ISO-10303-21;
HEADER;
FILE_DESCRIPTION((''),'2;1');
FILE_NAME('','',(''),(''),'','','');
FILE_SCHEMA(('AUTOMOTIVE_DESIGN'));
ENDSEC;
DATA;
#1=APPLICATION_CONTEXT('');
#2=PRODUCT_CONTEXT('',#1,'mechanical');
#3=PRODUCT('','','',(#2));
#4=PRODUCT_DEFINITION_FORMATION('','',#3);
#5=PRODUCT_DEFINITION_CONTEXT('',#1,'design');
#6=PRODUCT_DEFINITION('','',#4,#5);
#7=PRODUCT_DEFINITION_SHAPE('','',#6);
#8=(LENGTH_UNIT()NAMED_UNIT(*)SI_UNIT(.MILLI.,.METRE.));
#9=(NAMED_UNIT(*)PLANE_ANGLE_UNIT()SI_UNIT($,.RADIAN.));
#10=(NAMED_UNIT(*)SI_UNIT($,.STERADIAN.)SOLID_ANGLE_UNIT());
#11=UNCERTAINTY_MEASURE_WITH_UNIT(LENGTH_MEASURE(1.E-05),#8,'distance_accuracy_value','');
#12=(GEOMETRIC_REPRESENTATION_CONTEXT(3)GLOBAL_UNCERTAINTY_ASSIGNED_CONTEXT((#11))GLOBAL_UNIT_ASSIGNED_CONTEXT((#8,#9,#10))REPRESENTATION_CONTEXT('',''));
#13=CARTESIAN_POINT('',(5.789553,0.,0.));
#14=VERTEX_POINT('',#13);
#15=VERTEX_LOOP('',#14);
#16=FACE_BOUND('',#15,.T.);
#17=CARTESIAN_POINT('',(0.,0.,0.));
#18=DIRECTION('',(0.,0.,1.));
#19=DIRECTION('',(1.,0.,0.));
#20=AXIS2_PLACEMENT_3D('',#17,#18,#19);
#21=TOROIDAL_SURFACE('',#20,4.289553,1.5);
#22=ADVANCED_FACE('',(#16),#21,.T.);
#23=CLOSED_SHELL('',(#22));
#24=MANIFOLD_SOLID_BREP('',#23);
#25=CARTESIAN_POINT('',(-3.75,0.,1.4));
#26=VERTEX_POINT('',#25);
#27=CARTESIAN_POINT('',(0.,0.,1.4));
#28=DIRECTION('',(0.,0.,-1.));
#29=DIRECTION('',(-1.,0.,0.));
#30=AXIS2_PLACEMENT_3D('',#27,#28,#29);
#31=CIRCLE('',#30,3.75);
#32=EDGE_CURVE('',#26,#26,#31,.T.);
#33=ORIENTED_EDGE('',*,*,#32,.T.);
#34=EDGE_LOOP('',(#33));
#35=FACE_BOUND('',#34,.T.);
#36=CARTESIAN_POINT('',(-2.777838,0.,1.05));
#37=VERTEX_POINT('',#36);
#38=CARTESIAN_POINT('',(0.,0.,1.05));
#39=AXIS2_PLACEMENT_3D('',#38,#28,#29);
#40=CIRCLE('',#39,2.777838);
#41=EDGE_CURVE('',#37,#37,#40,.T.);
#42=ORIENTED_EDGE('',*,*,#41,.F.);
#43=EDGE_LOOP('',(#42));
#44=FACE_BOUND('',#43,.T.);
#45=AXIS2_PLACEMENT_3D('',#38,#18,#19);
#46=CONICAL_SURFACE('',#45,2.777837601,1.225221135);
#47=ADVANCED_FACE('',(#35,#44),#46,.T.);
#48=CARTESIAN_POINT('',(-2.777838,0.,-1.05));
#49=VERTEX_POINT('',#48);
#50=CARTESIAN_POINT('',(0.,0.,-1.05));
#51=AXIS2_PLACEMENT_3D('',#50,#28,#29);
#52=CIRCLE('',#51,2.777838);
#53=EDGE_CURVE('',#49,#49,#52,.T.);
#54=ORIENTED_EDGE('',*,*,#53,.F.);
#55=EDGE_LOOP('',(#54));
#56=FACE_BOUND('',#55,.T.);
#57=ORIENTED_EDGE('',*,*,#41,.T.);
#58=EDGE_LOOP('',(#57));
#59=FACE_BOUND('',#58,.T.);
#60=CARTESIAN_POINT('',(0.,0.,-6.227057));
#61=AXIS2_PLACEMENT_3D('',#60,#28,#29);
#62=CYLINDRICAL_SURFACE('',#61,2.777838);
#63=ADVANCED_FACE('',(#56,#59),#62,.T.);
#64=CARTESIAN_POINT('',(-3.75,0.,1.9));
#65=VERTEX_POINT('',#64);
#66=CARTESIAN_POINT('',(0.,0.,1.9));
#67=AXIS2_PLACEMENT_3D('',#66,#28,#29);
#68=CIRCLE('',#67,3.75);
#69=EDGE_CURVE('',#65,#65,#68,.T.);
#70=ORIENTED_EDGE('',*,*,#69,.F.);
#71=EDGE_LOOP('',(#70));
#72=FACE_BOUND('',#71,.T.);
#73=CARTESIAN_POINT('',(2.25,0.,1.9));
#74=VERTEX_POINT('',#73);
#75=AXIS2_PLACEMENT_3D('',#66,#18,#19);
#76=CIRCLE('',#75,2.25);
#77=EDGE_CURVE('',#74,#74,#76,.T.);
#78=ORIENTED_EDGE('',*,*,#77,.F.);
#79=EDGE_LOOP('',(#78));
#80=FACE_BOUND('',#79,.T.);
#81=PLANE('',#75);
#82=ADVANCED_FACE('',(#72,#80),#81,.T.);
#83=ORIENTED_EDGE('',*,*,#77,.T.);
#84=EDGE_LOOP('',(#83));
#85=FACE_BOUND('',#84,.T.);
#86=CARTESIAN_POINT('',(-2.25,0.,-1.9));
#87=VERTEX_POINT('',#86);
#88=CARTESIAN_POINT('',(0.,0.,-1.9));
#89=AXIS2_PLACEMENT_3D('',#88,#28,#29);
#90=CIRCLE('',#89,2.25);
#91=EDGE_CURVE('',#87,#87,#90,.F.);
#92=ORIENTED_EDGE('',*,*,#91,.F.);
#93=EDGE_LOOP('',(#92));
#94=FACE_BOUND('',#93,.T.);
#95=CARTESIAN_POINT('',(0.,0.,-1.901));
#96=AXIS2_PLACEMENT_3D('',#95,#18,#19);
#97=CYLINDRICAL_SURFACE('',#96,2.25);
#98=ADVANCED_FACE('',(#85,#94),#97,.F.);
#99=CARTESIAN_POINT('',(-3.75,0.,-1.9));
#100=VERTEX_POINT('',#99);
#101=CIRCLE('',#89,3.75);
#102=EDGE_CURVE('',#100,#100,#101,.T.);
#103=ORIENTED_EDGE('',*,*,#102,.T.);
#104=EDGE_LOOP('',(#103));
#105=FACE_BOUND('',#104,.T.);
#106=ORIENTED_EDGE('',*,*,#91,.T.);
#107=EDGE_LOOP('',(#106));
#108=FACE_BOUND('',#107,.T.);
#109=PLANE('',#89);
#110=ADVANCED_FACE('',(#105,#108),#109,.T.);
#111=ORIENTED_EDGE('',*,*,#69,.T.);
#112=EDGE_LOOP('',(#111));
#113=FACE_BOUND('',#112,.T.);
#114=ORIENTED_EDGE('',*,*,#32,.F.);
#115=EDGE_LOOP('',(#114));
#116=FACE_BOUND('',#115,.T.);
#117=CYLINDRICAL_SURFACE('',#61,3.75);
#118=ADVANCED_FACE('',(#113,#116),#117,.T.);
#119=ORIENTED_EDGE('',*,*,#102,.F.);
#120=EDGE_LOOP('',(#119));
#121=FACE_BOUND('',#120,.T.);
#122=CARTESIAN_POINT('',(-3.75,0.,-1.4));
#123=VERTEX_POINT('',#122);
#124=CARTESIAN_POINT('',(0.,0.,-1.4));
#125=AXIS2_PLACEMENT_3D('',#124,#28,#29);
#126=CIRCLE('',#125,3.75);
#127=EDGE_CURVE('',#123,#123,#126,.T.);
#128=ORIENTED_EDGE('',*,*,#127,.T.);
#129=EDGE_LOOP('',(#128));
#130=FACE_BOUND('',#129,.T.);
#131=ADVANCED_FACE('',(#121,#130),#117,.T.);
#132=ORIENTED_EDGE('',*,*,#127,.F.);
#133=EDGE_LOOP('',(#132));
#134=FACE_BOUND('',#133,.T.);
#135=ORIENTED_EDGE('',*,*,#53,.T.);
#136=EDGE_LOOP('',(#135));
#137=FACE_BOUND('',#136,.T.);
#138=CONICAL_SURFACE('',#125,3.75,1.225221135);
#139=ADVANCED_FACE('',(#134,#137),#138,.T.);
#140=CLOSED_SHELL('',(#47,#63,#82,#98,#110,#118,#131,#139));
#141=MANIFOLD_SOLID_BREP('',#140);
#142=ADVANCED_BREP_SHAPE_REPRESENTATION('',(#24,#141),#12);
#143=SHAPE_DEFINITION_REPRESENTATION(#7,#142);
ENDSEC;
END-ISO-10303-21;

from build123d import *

# Parameters (mm, degrees)
CROQUIS5_R            = 1.5
CROQUIS6_R            = 2.25
CORTAR_EXTRUIR3_DEPTH = 3.8


with BuildPart() as part:
    # Croquis1 → Revolución1 (revolve)
    with BuildSketch(Plane(origin=(0, 0, 0), x_dir=(0, 0, -1), z_dir=(1, 0, 0)), mode=Mode.PRIVATE) as revoluci_n1_sk:
        Polygon((-1.9, 0), (-1.9, 3.75), (-1.4, 3.75), (-1.05, 2.777837601), (1.05, 2.777837601), (1.4, 3.75), (1.9, 3.75), (1.9, 0), align=None)
    revolve(revoluci_n1_sk.sketch.rotate(Axis((0, 0, -6.227056579), (0, 0, 1)), 90), axis=Axis((0, 0, -6.227056579), (0, 0, 1)))

    # Croquis6 → Cortar-Extruir3 (cut)
    with BuildSketch(Plane.XY.offset(1.9)):
        Circle(CROQUIS6_R)
    extrude(amount=-CORTAR_EXTRUIR3_DEPTH, mode=Mode.SUBTRACT)


with BuildPart() as body_2:
    # Croquis5 → Revolución2 (revolve)
    with BuildSketch(Plane(origin=(0, 0, 0), x_dir=(0, 0, -1), z_dir=(1, 0, 0)), mode=Mode.PRIVATE) as revoluci_n2_sk:
        with Locations((0, 4.289552594)):
            Circle(CROQUIS5_R)
    revolve(revoluci_n2_sk.sketch.rotate(Axis((0, 0, 9.093206655), (0, 0, -1)), 90), axis=Axis((0, 0, 9.093206655), (0, 0, -1)))


solid = Compound([part.part, body_2.part])
